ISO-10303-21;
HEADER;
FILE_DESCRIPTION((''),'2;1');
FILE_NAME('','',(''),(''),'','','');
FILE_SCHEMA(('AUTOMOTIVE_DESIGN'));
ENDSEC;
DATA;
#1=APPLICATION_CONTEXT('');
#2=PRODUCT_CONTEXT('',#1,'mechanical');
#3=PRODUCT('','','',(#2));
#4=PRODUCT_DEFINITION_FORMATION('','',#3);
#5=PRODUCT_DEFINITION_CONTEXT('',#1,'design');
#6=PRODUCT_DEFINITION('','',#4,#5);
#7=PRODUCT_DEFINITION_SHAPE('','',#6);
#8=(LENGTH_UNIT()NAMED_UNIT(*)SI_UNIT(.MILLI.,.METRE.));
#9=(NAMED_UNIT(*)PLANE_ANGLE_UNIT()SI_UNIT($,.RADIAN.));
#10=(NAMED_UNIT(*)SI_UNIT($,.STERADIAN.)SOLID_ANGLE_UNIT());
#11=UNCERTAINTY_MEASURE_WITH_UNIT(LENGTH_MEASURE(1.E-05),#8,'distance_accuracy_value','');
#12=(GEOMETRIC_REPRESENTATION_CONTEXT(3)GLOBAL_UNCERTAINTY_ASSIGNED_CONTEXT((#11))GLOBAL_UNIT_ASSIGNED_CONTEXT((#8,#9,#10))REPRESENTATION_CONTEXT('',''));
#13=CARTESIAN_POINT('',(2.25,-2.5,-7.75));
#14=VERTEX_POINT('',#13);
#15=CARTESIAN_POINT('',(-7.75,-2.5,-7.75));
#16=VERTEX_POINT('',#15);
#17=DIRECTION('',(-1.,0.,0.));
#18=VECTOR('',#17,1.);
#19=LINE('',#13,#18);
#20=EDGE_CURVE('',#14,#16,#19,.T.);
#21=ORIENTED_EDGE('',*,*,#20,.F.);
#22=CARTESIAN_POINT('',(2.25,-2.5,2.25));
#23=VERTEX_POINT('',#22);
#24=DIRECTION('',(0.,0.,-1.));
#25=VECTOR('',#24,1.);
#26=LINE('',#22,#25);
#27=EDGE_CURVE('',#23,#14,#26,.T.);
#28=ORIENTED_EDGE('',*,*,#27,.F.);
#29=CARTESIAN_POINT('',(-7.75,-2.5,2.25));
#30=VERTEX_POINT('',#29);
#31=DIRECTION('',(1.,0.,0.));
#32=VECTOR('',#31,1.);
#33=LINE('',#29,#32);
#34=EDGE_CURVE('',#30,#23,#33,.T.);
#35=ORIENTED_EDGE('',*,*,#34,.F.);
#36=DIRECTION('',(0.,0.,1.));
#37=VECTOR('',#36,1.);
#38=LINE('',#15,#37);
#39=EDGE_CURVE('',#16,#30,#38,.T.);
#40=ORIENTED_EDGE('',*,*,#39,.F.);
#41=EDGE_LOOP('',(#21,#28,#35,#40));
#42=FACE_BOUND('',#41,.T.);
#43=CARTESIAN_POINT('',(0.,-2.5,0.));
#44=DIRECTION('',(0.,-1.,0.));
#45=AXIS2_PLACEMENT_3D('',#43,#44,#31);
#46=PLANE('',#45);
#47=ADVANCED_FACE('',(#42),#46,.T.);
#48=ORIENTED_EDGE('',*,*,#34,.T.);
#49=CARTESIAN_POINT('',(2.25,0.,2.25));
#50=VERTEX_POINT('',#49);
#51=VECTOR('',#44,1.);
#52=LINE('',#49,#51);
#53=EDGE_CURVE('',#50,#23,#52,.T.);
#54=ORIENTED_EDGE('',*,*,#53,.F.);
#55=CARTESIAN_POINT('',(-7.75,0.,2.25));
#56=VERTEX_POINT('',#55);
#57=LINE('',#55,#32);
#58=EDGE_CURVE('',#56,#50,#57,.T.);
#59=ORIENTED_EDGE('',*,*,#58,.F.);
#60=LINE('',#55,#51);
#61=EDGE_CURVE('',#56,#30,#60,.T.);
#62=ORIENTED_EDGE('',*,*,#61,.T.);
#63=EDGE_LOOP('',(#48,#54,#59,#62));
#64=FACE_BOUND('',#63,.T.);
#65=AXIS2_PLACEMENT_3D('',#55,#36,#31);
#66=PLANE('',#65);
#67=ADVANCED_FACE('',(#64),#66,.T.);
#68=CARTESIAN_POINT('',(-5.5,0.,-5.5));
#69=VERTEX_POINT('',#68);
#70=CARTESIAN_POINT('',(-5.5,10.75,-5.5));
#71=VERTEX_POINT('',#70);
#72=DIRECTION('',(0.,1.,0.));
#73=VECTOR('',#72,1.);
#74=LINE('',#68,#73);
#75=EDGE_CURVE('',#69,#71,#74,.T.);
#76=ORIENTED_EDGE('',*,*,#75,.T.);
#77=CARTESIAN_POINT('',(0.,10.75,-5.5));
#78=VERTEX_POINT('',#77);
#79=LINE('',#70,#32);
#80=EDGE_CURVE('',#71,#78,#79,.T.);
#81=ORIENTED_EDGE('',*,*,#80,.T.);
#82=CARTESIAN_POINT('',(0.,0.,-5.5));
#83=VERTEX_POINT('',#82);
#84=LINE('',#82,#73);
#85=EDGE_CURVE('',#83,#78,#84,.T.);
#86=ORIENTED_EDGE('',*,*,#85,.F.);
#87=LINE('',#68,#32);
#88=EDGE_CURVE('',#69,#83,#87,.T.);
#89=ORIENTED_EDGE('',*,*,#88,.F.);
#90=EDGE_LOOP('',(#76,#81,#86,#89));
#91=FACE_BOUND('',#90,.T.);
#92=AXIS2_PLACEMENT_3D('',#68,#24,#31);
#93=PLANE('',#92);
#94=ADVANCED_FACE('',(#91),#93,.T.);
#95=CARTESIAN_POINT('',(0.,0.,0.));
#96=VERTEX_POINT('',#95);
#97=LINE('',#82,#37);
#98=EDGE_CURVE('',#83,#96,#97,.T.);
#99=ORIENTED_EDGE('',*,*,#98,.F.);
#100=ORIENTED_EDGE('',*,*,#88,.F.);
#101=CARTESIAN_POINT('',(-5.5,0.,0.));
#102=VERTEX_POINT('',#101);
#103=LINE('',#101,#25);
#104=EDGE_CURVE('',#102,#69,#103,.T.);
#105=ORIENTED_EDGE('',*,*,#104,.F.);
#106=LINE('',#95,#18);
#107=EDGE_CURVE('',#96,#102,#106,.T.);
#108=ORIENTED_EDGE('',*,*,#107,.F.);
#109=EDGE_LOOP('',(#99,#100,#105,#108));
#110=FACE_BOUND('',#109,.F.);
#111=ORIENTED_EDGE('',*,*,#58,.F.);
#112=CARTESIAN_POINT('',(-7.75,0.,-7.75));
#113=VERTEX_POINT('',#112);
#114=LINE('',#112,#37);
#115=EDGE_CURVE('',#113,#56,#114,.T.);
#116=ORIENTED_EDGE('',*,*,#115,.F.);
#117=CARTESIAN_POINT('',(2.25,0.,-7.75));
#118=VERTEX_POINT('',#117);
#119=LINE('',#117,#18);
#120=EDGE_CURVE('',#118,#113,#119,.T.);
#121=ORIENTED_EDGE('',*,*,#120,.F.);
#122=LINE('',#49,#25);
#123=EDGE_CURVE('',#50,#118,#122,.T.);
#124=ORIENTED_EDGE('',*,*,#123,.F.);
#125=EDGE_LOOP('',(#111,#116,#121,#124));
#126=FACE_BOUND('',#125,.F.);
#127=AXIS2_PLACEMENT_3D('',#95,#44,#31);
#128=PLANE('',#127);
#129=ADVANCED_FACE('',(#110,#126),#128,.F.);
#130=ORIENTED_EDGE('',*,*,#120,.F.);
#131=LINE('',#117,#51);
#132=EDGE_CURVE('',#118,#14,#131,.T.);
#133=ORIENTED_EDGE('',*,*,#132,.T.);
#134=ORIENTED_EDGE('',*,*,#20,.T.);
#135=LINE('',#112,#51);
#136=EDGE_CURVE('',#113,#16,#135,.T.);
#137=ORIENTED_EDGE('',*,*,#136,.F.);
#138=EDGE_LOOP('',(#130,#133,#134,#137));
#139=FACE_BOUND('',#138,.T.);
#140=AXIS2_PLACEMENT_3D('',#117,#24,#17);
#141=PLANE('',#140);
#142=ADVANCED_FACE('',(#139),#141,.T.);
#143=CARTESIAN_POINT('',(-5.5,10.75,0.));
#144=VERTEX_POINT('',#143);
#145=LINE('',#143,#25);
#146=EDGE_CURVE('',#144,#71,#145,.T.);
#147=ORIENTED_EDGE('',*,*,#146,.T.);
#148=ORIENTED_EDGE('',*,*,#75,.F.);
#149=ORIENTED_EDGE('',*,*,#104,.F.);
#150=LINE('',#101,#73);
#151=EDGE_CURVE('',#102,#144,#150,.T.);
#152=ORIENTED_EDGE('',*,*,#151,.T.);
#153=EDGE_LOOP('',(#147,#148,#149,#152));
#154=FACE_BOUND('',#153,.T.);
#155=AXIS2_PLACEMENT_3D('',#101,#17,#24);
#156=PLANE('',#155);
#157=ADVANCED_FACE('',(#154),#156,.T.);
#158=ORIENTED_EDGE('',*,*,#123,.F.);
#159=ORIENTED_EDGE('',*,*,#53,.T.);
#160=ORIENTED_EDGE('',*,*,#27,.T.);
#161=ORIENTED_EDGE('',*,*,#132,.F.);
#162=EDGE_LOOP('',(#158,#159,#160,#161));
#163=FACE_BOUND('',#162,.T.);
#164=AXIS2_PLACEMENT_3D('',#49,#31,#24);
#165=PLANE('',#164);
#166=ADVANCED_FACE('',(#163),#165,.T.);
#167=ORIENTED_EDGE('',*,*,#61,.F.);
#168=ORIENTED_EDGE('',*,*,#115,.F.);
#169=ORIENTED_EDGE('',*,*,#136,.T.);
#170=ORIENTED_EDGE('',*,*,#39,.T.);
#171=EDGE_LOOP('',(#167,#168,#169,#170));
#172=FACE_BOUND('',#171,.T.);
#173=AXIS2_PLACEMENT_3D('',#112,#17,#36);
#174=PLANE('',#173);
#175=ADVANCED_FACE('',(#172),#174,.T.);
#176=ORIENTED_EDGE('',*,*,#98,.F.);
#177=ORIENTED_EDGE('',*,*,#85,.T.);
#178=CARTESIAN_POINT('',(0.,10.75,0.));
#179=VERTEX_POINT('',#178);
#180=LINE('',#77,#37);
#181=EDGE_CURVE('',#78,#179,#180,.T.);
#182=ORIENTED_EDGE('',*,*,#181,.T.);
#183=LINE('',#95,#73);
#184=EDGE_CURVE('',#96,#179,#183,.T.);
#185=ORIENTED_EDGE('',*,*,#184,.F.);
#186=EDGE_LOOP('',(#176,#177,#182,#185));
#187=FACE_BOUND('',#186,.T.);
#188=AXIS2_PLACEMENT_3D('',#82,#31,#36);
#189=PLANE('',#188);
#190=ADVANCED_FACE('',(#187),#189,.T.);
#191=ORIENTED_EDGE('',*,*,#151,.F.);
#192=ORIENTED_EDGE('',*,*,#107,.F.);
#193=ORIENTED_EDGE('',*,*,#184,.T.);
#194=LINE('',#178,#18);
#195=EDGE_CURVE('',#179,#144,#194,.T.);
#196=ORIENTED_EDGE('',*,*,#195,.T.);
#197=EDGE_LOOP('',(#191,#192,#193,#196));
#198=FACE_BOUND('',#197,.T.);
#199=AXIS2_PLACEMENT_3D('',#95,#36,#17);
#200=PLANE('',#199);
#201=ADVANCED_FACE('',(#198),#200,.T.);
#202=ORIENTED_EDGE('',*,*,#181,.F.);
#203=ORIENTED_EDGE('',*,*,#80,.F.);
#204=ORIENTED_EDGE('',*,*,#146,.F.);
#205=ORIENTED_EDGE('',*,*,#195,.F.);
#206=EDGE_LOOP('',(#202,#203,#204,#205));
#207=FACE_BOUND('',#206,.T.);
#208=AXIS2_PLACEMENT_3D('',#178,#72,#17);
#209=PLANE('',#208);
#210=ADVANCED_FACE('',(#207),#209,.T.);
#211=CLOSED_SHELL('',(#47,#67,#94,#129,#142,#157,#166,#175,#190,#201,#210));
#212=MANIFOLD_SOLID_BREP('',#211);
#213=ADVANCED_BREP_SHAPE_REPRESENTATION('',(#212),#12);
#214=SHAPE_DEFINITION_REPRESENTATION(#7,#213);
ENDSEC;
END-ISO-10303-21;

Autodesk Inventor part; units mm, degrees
ref_plane "YZ Plane" through (0, 0, 0) normal (1, 0, 0) x (0, 1, 0)
ref_plane "XZ Plane" through (0, 0, 0) normal (0, 1, 0) x (-1, 0, 0)
ref_plane "XY Plane" through (0, 0, 0) normal (0, 0, 1) x (1, 0, 0)
sketch "Sketch1" plane through (0, 0, 0) normal (0, 1, 0) x (-1, 0, 0)
  line L0 (0, 0) -> (5.5, 0)
  line L1 (5.5, 0) -> (5.5, -5.5)
  line L2 (5.5, -5.5) -> (0, -5.5)
  line L3 (0, -5.5) -> (0, 0)
  dimension "d0" = 5.5
  dimension "d1" = 5.5
extrude "Extrusion1" add sketch "Sketch1" along normal blind 10.75
sketch "Sketch2" plane through (0, 0, 0) normal (0, -1, 0) x (1, 0, 0)
  line L0 (-7.75, 2.25) -> (2.25, 2.25)
  line L1 (2.25, 2.25) -> (2.25, -7.75)
  line L2 (2.25, -7.75) -> (-7.75, -7.75)
  line L3 (-7.75, -7.75) -> (-7.75, 2.25)
  line L4 (-5.5, 0) -> (0, 0) projected
  line L5 (0, 0) -> (0, -5.5) projected
  dimension "d4" = 10
  dimension "d5" = 10
  dimension "d6" = 2.25
  dimension "d7" = 2.25
extrude "Extrusion2" add sketch "Sketch2" along normal blind 2.5
properties part number "Button Prong"
